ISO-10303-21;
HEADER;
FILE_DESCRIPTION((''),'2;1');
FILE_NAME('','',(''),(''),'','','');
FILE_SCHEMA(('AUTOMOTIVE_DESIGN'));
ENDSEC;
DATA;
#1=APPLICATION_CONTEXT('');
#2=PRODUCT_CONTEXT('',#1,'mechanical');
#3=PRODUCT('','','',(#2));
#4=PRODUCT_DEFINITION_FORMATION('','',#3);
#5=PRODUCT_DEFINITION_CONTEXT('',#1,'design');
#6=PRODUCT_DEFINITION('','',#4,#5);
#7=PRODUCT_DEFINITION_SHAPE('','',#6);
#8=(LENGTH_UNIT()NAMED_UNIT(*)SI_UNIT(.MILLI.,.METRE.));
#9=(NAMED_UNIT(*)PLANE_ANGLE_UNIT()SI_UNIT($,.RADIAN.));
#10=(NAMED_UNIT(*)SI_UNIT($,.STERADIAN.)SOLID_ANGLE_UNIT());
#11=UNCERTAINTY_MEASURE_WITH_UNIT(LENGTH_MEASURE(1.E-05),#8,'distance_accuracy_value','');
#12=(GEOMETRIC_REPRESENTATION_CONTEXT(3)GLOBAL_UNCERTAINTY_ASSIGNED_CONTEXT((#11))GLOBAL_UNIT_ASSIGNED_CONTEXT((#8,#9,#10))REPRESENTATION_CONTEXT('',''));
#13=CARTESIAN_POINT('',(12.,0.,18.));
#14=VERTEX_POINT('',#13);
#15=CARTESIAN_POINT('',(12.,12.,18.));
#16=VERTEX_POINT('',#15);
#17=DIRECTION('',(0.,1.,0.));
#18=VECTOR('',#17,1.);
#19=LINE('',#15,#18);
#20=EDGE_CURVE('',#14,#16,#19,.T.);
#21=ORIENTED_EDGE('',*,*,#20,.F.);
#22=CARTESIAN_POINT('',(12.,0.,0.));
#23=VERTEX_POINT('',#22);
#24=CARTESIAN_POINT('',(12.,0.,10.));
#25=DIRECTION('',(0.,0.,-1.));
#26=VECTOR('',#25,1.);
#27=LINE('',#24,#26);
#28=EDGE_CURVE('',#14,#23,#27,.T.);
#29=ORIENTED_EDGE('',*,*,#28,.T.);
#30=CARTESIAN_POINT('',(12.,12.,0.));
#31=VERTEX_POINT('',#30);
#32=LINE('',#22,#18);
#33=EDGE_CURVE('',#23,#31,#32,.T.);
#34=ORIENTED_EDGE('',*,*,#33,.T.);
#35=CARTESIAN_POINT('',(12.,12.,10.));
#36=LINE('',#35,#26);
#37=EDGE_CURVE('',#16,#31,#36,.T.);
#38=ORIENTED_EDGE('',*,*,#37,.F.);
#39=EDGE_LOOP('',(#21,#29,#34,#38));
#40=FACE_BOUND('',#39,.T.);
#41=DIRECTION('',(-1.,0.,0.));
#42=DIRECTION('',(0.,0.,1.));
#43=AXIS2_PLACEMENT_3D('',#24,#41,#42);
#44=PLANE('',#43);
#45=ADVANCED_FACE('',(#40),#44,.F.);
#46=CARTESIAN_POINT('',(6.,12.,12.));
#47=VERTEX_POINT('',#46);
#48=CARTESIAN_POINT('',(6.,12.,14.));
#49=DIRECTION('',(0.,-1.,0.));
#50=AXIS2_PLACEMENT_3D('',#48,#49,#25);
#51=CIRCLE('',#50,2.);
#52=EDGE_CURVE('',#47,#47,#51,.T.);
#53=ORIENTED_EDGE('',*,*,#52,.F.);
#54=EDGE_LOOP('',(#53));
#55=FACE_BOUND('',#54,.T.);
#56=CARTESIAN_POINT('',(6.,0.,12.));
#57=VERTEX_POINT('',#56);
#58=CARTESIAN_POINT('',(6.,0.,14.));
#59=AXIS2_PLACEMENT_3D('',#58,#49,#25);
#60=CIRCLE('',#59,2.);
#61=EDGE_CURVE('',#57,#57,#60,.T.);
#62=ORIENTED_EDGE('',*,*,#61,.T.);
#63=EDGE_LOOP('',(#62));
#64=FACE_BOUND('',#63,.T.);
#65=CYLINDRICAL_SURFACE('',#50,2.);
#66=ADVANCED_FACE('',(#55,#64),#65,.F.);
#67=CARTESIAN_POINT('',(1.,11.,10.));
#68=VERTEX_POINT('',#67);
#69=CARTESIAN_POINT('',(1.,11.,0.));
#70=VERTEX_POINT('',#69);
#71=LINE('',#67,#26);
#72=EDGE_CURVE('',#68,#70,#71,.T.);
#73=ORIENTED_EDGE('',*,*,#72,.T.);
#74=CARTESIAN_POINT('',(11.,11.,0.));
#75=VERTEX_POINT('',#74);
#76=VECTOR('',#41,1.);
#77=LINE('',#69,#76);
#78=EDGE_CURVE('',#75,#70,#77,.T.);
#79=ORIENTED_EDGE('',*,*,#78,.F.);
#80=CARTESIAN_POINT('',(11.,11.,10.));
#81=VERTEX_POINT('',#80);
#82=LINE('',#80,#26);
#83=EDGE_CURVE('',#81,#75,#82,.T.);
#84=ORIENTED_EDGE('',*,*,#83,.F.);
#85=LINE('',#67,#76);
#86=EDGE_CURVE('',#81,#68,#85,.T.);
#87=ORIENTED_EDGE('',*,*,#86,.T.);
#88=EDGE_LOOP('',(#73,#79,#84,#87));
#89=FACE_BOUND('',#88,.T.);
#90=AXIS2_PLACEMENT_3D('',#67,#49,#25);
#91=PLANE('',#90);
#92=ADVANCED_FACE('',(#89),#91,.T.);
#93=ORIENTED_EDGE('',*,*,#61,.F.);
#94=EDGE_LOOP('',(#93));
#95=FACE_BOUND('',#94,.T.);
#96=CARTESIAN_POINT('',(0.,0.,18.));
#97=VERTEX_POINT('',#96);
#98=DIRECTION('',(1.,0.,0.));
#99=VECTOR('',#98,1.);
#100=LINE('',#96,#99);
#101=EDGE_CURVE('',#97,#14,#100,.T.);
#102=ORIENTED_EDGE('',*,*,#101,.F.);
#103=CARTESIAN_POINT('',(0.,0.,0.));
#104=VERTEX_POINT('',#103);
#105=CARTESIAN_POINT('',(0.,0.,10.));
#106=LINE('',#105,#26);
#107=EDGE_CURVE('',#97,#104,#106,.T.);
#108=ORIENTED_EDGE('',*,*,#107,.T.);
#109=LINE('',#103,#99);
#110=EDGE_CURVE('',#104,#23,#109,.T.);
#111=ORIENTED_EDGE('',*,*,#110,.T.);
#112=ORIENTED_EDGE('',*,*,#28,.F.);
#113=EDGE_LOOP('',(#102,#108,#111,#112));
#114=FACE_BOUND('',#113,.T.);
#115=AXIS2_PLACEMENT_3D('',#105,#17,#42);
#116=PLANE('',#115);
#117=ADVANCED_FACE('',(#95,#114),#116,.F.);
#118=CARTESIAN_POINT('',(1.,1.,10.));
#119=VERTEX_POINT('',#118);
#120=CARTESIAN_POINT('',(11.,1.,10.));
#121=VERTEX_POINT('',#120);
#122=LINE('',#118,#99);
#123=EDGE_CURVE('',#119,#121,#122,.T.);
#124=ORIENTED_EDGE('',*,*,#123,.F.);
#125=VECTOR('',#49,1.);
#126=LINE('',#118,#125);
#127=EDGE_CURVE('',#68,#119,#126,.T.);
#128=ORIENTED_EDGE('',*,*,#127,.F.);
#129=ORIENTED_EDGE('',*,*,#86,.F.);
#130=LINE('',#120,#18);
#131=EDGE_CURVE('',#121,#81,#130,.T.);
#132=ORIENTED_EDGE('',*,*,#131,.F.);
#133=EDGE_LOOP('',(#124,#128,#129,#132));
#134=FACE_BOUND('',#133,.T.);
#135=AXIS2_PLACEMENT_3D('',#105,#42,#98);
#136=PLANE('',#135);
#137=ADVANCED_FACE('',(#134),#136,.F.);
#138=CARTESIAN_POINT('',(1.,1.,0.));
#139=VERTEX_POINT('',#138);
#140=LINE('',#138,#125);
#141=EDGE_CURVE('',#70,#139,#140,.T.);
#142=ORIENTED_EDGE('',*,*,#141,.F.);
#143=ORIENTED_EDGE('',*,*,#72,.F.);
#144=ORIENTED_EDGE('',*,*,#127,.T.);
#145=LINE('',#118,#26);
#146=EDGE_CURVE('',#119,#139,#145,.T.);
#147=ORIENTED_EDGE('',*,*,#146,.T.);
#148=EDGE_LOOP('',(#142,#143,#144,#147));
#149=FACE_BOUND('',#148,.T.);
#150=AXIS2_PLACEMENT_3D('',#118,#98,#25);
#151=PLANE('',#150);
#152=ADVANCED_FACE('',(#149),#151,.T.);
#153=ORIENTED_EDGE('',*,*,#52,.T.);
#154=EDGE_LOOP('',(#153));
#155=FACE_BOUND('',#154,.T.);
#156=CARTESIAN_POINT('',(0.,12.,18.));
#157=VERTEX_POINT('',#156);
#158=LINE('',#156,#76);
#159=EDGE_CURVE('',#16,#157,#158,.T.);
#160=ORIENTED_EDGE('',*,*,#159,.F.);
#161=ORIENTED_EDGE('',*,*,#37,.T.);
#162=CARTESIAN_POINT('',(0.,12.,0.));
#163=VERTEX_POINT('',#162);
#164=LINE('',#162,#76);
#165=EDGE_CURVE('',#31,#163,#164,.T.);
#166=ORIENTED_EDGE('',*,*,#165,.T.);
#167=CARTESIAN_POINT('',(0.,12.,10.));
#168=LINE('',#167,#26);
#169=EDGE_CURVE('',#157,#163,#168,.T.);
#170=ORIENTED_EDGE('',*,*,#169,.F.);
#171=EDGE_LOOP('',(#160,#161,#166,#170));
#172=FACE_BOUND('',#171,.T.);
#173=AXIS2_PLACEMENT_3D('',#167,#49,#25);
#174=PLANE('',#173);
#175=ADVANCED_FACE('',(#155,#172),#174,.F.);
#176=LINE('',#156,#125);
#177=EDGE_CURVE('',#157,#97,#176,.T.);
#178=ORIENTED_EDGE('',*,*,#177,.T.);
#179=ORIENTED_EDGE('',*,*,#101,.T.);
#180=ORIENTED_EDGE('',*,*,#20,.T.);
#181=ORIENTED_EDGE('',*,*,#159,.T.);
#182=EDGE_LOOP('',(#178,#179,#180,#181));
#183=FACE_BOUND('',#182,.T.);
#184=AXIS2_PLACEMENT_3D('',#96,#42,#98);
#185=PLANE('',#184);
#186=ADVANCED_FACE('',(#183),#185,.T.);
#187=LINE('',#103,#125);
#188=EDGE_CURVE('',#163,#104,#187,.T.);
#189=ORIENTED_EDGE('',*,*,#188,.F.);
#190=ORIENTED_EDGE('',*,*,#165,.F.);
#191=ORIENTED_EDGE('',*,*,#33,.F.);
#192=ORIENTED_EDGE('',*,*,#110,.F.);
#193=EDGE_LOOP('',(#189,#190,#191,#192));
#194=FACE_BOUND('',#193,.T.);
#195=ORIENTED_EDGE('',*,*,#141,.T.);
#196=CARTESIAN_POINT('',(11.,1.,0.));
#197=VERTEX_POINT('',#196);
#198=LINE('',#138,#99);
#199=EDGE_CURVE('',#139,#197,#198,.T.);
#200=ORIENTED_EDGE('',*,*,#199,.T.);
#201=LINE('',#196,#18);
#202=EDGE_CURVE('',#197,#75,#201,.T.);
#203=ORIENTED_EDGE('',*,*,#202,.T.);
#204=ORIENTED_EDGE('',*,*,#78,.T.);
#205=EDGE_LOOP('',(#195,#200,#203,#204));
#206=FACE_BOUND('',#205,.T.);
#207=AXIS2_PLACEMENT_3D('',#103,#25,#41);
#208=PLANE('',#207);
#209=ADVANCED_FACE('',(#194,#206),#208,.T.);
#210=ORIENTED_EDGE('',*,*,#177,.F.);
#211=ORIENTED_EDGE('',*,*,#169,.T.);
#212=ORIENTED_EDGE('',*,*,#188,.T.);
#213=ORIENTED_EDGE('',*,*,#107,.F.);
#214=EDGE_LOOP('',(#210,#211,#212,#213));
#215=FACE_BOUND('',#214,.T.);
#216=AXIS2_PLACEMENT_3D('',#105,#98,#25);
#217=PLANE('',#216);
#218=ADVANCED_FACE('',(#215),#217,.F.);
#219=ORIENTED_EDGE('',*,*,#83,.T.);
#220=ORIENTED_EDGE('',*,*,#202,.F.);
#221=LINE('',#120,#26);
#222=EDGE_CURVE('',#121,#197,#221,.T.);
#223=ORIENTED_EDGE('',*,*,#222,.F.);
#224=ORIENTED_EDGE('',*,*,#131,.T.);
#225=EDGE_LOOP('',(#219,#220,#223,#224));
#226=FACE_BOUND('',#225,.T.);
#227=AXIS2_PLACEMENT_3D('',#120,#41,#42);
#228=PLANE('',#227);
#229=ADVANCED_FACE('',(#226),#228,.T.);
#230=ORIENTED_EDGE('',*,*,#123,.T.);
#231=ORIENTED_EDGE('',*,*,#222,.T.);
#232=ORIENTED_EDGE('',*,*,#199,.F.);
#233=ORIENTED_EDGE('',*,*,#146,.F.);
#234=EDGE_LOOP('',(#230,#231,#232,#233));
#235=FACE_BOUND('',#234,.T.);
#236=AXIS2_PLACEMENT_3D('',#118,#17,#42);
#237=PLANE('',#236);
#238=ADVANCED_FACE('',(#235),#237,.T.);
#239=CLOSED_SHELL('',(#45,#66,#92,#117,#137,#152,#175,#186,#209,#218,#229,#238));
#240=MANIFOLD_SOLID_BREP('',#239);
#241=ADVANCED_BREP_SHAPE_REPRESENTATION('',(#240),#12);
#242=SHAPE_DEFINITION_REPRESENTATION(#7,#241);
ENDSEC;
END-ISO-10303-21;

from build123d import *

# Parameters (mm, degrees)
SKETCH_1_W          = 12
SKETCH_1_H          = 12
SKETCH_1_W_2        = 10
SKETCH_1_H_2        = 10
EXTRUDE_1_DEPTH     = 10
SKETCH_2_W          = 12
SKETCH_2_H          = 12
EXTRUDE_2_DEPTH     = 8
SKETCH_3_R          = 2
CUT_EXTRUDE_3_DEPTH = 12


with BuildPart() as part:
    # 草图1 → 凸台-拉伸1 (new body)
    with BuildSketch(Plane.XY):
        with Locations((6, 6)):
            Rectangle(SKETCH_1_W, SKETCH_1_H)
        with Locations((6, 6)):
            Rectangle(SKETCH_1_W_2, SKETCH_1_H_2, mode=Mode.SUBTRACT)
    extrude(amount=EXTRUDE_1_DEPTH)

    # 草图2 → 凸台-拉伸2 (add)
    with BuildSketch(Plane.XY.offset(10)):
        with Locations((6, 6)):
            Rectangle(SKETCH_2_W, SKETCH_2_H)
    extrude(amount=EXTRUDE_2_DEPTH)

    # 草图3 → 切除-拉伸3 (cut)
    with BuildSketch(Plane(origin=(0, 0, 0), x_dir=(-1, 0, 0), z_dir=(0, -1, 0))):
        with Locations(Location((-6, -14, 0), (0, 0, 90))):
            Circle(SKETCH_3_R)
    extrude(amount=-CUT_EXTRUDE_3_DEPTH, mode=Mode.SUBTRACT)


solid = part.part
